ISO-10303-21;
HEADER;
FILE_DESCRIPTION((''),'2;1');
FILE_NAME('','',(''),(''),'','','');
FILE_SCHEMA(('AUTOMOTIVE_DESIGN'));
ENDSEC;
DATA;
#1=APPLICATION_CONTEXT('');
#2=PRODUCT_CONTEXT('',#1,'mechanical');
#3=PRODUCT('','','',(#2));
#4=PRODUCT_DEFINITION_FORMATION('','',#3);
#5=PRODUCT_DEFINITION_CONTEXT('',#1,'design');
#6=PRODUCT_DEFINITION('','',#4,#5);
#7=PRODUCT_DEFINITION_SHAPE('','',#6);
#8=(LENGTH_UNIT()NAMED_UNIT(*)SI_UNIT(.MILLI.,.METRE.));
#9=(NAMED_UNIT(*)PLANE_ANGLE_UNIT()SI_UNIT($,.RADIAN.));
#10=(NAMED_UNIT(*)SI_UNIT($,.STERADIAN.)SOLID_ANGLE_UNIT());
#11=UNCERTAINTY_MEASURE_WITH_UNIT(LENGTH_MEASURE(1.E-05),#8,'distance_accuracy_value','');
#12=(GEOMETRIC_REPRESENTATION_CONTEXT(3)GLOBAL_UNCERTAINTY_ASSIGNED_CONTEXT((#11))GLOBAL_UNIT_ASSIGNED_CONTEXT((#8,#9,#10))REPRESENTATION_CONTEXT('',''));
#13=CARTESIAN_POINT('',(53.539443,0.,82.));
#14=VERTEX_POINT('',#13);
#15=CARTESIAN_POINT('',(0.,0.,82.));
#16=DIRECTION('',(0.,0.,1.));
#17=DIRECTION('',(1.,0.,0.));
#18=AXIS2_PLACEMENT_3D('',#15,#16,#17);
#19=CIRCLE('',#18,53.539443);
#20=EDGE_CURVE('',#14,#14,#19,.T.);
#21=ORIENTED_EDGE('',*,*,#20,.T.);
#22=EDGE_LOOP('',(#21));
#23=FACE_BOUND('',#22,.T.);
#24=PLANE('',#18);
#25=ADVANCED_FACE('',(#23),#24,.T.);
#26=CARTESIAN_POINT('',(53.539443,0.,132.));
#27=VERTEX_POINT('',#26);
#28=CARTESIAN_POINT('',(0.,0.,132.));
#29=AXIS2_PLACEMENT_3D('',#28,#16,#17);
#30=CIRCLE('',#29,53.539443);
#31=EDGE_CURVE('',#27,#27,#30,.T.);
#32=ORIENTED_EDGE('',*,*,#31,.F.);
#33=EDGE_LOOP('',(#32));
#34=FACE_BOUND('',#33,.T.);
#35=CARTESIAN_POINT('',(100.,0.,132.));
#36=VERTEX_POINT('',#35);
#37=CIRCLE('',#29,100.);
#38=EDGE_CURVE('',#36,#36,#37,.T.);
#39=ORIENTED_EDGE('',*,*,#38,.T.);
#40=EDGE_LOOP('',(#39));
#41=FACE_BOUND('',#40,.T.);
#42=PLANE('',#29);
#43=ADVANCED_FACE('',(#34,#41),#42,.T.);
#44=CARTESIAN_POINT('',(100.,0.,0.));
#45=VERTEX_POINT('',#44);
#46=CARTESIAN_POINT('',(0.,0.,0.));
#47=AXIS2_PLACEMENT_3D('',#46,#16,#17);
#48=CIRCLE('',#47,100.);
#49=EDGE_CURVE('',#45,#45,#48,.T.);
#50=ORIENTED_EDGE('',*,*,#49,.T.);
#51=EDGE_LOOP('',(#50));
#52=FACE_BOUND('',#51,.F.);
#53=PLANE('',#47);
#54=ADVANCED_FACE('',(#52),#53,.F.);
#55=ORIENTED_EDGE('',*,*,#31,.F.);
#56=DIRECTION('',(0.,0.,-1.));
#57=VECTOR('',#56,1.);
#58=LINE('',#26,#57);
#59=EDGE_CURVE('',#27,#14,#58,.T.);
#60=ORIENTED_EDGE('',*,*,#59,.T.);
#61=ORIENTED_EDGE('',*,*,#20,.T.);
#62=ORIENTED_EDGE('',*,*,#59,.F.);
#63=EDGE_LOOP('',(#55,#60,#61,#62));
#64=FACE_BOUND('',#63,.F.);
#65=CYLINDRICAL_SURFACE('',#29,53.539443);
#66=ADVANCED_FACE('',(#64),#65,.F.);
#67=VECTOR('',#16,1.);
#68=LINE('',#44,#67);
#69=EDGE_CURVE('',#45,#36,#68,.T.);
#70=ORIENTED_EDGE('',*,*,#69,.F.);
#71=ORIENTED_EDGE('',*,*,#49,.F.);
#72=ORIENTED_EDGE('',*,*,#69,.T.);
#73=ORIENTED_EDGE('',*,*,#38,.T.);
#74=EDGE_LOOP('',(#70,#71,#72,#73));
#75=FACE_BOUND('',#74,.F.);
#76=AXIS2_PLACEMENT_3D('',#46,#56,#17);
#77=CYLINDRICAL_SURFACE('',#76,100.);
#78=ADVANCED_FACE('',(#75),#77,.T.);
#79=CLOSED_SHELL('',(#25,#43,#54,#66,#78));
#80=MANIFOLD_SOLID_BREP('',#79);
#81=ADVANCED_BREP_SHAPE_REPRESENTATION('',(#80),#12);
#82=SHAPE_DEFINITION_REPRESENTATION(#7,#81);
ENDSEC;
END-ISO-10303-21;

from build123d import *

# Parameters (mm, degrees)
F0_R     = 10
F1_DEPTH = 25
F3_R     = 100
F4_DEPTH = 132
F5_R     = 53.5394433614
F6_DEPTH = 50


with BuildPart() as f1:
    # F0 (on Top) → F1 (new body)
    with BuildSketch(Plane.XY):
        Circle(F0_R)
    extrude(amount=F1_DEPTH)


with BuildPart() as f4:
    # F3 (on Top) → F4 (new body)
    with BuildSketch(Plane.XY):
        Circle(F3_R)
    extrude(amount=F4_DEPTH)

    # F5 (on face) → F6 (cut)
    with BuildSketch(Plane.XY.offset(132)):
        Circle(F5_R)
    extrude(amount=-F6_DEPTH, mode=Mode.SUBTRACT)


solid = f4.part
